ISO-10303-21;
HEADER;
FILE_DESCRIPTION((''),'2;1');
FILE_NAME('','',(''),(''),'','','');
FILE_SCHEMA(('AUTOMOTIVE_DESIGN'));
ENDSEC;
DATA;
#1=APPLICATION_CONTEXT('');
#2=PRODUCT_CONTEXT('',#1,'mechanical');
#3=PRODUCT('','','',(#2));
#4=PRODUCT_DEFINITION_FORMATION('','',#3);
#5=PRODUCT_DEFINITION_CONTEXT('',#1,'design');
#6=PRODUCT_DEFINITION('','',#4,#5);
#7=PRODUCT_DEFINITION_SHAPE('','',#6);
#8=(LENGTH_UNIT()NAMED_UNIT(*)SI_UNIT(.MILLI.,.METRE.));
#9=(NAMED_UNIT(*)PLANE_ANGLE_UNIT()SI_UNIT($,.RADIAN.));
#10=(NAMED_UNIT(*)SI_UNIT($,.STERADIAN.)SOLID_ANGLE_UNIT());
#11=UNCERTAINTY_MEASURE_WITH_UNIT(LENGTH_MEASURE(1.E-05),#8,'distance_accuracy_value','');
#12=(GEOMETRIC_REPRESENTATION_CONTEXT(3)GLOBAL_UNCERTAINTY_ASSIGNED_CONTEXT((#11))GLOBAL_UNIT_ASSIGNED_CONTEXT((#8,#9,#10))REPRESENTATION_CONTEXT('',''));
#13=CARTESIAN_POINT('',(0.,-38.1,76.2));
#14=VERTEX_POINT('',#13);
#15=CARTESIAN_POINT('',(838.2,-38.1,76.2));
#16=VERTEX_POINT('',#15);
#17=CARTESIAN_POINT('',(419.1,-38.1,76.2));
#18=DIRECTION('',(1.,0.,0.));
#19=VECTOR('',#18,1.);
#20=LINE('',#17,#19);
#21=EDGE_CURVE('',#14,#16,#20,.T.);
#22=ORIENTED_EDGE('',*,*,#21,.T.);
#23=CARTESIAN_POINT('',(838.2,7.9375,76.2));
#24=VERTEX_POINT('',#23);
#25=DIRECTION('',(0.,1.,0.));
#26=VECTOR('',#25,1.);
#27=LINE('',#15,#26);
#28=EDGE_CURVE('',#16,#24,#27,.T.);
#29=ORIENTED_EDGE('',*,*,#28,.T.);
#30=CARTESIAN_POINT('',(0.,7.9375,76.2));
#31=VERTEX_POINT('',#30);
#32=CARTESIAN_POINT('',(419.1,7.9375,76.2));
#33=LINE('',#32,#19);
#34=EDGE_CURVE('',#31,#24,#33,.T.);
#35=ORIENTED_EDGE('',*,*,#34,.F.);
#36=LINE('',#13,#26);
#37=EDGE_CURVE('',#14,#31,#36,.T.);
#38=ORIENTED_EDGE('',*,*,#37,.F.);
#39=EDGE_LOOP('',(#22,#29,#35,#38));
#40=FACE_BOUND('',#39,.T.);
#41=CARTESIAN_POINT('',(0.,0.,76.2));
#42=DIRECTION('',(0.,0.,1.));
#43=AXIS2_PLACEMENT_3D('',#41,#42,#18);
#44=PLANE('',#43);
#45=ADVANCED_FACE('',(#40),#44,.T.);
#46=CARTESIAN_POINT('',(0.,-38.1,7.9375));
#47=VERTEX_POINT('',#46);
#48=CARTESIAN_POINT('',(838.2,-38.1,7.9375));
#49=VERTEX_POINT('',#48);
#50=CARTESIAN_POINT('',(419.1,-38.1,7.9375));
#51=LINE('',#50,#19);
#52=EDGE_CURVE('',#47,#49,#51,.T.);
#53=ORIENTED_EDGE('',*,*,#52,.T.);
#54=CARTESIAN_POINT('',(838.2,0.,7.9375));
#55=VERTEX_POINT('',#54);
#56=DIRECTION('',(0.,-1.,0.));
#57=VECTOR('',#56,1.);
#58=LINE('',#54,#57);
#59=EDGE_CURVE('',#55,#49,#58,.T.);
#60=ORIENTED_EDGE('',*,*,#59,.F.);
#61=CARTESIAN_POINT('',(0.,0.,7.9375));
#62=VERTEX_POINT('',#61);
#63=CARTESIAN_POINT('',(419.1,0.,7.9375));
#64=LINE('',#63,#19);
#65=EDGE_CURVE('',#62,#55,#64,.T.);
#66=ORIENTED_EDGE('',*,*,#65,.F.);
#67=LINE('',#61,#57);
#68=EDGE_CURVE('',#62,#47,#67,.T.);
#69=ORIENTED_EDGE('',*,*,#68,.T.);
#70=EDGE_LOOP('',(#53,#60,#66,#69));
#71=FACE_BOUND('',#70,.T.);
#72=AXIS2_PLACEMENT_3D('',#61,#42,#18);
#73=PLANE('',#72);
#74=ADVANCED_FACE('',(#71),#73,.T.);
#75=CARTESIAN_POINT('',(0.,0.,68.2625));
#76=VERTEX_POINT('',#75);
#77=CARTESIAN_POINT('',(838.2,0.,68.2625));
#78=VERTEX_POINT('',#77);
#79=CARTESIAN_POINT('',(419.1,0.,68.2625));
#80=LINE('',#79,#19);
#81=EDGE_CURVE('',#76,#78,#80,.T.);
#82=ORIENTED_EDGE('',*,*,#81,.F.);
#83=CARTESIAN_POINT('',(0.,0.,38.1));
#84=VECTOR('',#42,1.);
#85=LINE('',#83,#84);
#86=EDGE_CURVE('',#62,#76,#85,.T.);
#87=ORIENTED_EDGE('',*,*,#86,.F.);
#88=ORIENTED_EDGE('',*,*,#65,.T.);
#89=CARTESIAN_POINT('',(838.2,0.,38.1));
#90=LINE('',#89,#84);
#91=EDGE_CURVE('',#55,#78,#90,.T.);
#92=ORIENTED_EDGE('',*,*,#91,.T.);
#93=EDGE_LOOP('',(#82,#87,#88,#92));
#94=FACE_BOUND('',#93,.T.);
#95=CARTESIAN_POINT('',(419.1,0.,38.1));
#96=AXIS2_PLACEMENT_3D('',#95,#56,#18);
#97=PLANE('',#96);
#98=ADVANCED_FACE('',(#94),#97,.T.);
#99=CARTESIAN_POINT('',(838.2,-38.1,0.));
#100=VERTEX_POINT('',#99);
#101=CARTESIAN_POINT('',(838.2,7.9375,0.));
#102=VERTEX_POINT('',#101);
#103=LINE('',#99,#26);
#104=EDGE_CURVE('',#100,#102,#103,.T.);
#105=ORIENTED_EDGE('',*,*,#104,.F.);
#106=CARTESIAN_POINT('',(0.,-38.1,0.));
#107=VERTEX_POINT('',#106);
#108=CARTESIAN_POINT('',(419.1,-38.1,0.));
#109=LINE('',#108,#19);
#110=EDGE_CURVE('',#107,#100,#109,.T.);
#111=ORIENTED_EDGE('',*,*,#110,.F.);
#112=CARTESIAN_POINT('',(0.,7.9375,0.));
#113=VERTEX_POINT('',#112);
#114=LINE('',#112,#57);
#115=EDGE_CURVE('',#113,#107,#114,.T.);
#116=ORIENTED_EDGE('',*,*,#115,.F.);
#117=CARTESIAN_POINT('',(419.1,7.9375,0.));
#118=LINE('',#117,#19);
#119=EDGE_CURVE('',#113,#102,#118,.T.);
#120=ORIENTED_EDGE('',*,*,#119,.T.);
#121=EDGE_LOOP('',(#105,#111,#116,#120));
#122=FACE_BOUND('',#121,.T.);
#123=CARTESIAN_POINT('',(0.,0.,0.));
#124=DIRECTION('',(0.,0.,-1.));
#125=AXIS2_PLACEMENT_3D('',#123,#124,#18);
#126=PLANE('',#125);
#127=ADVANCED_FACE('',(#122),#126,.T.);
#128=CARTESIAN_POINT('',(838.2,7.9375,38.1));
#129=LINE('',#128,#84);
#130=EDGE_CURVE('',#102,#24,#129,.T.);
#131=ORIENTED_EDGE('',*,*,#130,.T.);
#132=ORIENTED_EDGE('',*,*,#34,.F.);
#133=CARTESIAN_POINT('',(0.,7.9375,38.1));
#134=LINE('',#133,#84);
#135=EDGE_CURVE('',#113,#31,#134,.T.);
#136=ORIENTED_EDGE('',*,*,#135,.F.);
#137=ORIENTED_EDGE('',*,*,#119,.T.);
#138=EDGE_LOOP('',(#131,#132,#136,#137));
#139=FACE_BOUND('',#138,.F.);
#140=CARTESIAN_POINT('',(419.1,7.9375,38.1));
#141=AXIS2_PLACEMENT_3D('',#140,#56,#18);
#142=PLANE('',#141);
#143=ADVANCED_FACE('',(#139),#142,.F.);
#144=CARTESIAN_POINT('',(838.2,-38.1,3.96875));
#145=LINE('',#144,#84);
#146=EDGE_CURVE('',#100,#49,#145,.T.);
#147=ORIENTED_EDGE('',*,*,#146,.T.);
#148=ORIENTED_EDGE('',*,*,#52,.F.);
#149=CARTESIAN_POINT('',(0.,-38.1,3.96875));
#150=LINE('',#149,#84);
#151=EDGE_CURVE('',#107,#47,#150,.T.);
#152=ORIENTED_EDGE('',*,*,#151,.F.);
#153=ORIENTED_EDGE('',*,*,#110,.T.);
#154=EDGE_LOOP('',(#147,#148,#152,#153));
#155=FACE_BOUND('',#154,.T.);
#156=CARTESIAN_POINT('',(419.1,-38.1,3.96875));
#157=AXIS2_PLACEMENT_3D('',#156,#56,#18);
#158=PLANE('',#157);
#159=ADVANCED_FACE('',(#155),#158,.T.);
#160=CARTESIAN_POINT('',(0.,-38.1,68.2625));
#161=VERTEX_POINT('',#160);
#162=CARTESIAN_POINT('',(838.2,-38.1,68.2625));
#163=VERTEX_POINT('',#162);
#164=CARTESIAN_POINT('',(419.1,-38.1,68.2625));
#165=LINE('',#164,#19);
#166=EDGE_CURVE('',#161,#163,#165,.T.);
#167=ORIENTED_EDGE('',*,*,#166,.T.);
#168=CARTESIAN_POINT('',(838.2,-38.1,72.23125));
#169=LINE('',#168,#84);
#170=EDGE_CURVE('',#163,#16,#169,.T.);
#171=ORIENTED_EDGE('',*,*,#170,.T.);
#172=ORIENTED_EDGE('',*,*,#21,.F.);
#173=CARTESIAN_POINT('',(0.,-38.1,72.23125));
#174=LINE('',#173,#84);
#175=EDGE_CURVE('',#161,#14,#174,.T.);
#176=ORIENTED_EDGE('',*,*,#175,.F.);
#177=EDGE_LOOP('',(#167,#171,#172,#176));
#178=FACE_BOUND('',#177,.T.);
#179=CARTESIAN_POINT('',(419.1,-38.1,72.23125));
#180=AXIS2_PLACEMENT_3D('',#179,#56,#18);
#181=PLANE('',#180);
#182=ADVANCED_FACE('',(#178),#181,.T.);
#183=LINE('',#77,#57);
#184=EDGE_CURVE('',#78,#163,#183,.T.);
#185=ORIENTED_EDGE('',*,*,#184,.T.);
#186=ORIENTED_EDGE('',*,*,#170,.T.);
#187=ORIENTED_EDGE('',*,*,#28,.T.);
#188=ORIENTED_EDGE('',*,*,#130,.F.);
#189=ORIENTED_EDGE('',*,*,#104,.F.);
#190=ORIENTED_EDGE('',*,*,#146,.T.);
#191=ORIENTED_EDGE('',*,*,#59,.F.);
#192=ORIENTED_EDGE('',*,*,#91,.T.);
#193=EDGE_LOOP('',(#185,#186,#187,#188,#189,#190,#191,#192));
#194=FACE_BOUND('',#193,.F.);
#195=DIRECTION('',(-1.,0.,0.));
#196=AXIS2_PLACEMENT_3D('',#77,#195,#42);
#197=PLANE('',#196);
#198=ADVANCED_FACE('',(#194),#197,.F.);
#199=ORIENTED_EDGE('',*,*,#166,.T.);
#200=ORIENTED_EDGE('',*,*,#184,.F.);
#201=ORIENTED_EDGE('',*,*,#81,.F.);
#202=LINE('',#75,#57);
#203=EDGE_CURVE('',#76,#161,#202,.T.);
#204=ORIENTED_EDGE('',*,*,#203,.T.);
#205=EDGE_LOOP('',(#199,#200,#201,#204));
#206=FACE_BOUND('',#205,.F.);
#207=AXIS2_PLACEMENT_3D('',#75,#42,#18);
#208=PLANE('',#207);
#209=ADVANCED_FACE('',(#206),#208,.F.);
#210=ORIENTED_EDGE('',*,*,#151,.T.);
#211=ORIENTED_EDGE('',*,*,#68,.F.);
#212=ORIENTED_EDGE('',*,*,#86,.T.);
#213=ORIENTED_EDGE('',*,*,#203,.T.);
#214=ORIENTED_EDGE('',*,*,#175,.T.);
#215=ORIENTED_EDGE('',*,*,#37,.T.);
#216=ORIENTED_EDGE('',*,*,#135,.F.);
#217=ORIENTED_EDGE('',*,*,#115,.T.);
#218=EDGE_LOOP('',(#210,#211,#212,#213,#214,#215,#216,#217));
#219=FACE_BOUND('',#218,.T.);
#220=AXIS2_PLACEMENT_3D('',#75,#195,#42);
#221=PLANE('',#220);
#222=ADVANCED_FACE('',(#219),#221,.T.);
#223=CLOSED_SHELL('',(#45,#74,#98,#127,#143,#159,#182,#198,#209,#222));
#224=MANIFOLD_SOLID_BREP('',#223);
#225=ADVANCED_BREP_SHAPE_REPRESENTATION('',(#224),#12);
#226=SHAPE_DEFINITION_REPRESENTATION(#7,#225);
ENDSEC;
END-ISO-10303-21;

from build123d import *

# Parameters (mm, degrees)
F0_W     = 838.2
F0_H     = 76.2
F1_DEPTH = 7.9375
F2_W     = 838.2
F2_H     = 7.9375
F3_DEPTH = 38.1


with BuildPart() as f1:
    # F0 (on Front) → F1 (new body)
    with BuildSketch(Plane.XZ):
        with Locations((419.1, 38.1)):
            Rectangle(F0_W, F0_H)
    extrude(amount=-F1_DEPTH)

    # F2 (on Front) → F3 (join)
    with BuildSketch(Plane.XZ):
        with Locations((419.1, 72.23125)):
            Rectangle(F2_W, F2_H)
        with Locations((419.1, 3.96875)):
            Rectangle(F2_W, F2_H)
    extrude(amount=F3_DEPTH)


solid = f1.part
